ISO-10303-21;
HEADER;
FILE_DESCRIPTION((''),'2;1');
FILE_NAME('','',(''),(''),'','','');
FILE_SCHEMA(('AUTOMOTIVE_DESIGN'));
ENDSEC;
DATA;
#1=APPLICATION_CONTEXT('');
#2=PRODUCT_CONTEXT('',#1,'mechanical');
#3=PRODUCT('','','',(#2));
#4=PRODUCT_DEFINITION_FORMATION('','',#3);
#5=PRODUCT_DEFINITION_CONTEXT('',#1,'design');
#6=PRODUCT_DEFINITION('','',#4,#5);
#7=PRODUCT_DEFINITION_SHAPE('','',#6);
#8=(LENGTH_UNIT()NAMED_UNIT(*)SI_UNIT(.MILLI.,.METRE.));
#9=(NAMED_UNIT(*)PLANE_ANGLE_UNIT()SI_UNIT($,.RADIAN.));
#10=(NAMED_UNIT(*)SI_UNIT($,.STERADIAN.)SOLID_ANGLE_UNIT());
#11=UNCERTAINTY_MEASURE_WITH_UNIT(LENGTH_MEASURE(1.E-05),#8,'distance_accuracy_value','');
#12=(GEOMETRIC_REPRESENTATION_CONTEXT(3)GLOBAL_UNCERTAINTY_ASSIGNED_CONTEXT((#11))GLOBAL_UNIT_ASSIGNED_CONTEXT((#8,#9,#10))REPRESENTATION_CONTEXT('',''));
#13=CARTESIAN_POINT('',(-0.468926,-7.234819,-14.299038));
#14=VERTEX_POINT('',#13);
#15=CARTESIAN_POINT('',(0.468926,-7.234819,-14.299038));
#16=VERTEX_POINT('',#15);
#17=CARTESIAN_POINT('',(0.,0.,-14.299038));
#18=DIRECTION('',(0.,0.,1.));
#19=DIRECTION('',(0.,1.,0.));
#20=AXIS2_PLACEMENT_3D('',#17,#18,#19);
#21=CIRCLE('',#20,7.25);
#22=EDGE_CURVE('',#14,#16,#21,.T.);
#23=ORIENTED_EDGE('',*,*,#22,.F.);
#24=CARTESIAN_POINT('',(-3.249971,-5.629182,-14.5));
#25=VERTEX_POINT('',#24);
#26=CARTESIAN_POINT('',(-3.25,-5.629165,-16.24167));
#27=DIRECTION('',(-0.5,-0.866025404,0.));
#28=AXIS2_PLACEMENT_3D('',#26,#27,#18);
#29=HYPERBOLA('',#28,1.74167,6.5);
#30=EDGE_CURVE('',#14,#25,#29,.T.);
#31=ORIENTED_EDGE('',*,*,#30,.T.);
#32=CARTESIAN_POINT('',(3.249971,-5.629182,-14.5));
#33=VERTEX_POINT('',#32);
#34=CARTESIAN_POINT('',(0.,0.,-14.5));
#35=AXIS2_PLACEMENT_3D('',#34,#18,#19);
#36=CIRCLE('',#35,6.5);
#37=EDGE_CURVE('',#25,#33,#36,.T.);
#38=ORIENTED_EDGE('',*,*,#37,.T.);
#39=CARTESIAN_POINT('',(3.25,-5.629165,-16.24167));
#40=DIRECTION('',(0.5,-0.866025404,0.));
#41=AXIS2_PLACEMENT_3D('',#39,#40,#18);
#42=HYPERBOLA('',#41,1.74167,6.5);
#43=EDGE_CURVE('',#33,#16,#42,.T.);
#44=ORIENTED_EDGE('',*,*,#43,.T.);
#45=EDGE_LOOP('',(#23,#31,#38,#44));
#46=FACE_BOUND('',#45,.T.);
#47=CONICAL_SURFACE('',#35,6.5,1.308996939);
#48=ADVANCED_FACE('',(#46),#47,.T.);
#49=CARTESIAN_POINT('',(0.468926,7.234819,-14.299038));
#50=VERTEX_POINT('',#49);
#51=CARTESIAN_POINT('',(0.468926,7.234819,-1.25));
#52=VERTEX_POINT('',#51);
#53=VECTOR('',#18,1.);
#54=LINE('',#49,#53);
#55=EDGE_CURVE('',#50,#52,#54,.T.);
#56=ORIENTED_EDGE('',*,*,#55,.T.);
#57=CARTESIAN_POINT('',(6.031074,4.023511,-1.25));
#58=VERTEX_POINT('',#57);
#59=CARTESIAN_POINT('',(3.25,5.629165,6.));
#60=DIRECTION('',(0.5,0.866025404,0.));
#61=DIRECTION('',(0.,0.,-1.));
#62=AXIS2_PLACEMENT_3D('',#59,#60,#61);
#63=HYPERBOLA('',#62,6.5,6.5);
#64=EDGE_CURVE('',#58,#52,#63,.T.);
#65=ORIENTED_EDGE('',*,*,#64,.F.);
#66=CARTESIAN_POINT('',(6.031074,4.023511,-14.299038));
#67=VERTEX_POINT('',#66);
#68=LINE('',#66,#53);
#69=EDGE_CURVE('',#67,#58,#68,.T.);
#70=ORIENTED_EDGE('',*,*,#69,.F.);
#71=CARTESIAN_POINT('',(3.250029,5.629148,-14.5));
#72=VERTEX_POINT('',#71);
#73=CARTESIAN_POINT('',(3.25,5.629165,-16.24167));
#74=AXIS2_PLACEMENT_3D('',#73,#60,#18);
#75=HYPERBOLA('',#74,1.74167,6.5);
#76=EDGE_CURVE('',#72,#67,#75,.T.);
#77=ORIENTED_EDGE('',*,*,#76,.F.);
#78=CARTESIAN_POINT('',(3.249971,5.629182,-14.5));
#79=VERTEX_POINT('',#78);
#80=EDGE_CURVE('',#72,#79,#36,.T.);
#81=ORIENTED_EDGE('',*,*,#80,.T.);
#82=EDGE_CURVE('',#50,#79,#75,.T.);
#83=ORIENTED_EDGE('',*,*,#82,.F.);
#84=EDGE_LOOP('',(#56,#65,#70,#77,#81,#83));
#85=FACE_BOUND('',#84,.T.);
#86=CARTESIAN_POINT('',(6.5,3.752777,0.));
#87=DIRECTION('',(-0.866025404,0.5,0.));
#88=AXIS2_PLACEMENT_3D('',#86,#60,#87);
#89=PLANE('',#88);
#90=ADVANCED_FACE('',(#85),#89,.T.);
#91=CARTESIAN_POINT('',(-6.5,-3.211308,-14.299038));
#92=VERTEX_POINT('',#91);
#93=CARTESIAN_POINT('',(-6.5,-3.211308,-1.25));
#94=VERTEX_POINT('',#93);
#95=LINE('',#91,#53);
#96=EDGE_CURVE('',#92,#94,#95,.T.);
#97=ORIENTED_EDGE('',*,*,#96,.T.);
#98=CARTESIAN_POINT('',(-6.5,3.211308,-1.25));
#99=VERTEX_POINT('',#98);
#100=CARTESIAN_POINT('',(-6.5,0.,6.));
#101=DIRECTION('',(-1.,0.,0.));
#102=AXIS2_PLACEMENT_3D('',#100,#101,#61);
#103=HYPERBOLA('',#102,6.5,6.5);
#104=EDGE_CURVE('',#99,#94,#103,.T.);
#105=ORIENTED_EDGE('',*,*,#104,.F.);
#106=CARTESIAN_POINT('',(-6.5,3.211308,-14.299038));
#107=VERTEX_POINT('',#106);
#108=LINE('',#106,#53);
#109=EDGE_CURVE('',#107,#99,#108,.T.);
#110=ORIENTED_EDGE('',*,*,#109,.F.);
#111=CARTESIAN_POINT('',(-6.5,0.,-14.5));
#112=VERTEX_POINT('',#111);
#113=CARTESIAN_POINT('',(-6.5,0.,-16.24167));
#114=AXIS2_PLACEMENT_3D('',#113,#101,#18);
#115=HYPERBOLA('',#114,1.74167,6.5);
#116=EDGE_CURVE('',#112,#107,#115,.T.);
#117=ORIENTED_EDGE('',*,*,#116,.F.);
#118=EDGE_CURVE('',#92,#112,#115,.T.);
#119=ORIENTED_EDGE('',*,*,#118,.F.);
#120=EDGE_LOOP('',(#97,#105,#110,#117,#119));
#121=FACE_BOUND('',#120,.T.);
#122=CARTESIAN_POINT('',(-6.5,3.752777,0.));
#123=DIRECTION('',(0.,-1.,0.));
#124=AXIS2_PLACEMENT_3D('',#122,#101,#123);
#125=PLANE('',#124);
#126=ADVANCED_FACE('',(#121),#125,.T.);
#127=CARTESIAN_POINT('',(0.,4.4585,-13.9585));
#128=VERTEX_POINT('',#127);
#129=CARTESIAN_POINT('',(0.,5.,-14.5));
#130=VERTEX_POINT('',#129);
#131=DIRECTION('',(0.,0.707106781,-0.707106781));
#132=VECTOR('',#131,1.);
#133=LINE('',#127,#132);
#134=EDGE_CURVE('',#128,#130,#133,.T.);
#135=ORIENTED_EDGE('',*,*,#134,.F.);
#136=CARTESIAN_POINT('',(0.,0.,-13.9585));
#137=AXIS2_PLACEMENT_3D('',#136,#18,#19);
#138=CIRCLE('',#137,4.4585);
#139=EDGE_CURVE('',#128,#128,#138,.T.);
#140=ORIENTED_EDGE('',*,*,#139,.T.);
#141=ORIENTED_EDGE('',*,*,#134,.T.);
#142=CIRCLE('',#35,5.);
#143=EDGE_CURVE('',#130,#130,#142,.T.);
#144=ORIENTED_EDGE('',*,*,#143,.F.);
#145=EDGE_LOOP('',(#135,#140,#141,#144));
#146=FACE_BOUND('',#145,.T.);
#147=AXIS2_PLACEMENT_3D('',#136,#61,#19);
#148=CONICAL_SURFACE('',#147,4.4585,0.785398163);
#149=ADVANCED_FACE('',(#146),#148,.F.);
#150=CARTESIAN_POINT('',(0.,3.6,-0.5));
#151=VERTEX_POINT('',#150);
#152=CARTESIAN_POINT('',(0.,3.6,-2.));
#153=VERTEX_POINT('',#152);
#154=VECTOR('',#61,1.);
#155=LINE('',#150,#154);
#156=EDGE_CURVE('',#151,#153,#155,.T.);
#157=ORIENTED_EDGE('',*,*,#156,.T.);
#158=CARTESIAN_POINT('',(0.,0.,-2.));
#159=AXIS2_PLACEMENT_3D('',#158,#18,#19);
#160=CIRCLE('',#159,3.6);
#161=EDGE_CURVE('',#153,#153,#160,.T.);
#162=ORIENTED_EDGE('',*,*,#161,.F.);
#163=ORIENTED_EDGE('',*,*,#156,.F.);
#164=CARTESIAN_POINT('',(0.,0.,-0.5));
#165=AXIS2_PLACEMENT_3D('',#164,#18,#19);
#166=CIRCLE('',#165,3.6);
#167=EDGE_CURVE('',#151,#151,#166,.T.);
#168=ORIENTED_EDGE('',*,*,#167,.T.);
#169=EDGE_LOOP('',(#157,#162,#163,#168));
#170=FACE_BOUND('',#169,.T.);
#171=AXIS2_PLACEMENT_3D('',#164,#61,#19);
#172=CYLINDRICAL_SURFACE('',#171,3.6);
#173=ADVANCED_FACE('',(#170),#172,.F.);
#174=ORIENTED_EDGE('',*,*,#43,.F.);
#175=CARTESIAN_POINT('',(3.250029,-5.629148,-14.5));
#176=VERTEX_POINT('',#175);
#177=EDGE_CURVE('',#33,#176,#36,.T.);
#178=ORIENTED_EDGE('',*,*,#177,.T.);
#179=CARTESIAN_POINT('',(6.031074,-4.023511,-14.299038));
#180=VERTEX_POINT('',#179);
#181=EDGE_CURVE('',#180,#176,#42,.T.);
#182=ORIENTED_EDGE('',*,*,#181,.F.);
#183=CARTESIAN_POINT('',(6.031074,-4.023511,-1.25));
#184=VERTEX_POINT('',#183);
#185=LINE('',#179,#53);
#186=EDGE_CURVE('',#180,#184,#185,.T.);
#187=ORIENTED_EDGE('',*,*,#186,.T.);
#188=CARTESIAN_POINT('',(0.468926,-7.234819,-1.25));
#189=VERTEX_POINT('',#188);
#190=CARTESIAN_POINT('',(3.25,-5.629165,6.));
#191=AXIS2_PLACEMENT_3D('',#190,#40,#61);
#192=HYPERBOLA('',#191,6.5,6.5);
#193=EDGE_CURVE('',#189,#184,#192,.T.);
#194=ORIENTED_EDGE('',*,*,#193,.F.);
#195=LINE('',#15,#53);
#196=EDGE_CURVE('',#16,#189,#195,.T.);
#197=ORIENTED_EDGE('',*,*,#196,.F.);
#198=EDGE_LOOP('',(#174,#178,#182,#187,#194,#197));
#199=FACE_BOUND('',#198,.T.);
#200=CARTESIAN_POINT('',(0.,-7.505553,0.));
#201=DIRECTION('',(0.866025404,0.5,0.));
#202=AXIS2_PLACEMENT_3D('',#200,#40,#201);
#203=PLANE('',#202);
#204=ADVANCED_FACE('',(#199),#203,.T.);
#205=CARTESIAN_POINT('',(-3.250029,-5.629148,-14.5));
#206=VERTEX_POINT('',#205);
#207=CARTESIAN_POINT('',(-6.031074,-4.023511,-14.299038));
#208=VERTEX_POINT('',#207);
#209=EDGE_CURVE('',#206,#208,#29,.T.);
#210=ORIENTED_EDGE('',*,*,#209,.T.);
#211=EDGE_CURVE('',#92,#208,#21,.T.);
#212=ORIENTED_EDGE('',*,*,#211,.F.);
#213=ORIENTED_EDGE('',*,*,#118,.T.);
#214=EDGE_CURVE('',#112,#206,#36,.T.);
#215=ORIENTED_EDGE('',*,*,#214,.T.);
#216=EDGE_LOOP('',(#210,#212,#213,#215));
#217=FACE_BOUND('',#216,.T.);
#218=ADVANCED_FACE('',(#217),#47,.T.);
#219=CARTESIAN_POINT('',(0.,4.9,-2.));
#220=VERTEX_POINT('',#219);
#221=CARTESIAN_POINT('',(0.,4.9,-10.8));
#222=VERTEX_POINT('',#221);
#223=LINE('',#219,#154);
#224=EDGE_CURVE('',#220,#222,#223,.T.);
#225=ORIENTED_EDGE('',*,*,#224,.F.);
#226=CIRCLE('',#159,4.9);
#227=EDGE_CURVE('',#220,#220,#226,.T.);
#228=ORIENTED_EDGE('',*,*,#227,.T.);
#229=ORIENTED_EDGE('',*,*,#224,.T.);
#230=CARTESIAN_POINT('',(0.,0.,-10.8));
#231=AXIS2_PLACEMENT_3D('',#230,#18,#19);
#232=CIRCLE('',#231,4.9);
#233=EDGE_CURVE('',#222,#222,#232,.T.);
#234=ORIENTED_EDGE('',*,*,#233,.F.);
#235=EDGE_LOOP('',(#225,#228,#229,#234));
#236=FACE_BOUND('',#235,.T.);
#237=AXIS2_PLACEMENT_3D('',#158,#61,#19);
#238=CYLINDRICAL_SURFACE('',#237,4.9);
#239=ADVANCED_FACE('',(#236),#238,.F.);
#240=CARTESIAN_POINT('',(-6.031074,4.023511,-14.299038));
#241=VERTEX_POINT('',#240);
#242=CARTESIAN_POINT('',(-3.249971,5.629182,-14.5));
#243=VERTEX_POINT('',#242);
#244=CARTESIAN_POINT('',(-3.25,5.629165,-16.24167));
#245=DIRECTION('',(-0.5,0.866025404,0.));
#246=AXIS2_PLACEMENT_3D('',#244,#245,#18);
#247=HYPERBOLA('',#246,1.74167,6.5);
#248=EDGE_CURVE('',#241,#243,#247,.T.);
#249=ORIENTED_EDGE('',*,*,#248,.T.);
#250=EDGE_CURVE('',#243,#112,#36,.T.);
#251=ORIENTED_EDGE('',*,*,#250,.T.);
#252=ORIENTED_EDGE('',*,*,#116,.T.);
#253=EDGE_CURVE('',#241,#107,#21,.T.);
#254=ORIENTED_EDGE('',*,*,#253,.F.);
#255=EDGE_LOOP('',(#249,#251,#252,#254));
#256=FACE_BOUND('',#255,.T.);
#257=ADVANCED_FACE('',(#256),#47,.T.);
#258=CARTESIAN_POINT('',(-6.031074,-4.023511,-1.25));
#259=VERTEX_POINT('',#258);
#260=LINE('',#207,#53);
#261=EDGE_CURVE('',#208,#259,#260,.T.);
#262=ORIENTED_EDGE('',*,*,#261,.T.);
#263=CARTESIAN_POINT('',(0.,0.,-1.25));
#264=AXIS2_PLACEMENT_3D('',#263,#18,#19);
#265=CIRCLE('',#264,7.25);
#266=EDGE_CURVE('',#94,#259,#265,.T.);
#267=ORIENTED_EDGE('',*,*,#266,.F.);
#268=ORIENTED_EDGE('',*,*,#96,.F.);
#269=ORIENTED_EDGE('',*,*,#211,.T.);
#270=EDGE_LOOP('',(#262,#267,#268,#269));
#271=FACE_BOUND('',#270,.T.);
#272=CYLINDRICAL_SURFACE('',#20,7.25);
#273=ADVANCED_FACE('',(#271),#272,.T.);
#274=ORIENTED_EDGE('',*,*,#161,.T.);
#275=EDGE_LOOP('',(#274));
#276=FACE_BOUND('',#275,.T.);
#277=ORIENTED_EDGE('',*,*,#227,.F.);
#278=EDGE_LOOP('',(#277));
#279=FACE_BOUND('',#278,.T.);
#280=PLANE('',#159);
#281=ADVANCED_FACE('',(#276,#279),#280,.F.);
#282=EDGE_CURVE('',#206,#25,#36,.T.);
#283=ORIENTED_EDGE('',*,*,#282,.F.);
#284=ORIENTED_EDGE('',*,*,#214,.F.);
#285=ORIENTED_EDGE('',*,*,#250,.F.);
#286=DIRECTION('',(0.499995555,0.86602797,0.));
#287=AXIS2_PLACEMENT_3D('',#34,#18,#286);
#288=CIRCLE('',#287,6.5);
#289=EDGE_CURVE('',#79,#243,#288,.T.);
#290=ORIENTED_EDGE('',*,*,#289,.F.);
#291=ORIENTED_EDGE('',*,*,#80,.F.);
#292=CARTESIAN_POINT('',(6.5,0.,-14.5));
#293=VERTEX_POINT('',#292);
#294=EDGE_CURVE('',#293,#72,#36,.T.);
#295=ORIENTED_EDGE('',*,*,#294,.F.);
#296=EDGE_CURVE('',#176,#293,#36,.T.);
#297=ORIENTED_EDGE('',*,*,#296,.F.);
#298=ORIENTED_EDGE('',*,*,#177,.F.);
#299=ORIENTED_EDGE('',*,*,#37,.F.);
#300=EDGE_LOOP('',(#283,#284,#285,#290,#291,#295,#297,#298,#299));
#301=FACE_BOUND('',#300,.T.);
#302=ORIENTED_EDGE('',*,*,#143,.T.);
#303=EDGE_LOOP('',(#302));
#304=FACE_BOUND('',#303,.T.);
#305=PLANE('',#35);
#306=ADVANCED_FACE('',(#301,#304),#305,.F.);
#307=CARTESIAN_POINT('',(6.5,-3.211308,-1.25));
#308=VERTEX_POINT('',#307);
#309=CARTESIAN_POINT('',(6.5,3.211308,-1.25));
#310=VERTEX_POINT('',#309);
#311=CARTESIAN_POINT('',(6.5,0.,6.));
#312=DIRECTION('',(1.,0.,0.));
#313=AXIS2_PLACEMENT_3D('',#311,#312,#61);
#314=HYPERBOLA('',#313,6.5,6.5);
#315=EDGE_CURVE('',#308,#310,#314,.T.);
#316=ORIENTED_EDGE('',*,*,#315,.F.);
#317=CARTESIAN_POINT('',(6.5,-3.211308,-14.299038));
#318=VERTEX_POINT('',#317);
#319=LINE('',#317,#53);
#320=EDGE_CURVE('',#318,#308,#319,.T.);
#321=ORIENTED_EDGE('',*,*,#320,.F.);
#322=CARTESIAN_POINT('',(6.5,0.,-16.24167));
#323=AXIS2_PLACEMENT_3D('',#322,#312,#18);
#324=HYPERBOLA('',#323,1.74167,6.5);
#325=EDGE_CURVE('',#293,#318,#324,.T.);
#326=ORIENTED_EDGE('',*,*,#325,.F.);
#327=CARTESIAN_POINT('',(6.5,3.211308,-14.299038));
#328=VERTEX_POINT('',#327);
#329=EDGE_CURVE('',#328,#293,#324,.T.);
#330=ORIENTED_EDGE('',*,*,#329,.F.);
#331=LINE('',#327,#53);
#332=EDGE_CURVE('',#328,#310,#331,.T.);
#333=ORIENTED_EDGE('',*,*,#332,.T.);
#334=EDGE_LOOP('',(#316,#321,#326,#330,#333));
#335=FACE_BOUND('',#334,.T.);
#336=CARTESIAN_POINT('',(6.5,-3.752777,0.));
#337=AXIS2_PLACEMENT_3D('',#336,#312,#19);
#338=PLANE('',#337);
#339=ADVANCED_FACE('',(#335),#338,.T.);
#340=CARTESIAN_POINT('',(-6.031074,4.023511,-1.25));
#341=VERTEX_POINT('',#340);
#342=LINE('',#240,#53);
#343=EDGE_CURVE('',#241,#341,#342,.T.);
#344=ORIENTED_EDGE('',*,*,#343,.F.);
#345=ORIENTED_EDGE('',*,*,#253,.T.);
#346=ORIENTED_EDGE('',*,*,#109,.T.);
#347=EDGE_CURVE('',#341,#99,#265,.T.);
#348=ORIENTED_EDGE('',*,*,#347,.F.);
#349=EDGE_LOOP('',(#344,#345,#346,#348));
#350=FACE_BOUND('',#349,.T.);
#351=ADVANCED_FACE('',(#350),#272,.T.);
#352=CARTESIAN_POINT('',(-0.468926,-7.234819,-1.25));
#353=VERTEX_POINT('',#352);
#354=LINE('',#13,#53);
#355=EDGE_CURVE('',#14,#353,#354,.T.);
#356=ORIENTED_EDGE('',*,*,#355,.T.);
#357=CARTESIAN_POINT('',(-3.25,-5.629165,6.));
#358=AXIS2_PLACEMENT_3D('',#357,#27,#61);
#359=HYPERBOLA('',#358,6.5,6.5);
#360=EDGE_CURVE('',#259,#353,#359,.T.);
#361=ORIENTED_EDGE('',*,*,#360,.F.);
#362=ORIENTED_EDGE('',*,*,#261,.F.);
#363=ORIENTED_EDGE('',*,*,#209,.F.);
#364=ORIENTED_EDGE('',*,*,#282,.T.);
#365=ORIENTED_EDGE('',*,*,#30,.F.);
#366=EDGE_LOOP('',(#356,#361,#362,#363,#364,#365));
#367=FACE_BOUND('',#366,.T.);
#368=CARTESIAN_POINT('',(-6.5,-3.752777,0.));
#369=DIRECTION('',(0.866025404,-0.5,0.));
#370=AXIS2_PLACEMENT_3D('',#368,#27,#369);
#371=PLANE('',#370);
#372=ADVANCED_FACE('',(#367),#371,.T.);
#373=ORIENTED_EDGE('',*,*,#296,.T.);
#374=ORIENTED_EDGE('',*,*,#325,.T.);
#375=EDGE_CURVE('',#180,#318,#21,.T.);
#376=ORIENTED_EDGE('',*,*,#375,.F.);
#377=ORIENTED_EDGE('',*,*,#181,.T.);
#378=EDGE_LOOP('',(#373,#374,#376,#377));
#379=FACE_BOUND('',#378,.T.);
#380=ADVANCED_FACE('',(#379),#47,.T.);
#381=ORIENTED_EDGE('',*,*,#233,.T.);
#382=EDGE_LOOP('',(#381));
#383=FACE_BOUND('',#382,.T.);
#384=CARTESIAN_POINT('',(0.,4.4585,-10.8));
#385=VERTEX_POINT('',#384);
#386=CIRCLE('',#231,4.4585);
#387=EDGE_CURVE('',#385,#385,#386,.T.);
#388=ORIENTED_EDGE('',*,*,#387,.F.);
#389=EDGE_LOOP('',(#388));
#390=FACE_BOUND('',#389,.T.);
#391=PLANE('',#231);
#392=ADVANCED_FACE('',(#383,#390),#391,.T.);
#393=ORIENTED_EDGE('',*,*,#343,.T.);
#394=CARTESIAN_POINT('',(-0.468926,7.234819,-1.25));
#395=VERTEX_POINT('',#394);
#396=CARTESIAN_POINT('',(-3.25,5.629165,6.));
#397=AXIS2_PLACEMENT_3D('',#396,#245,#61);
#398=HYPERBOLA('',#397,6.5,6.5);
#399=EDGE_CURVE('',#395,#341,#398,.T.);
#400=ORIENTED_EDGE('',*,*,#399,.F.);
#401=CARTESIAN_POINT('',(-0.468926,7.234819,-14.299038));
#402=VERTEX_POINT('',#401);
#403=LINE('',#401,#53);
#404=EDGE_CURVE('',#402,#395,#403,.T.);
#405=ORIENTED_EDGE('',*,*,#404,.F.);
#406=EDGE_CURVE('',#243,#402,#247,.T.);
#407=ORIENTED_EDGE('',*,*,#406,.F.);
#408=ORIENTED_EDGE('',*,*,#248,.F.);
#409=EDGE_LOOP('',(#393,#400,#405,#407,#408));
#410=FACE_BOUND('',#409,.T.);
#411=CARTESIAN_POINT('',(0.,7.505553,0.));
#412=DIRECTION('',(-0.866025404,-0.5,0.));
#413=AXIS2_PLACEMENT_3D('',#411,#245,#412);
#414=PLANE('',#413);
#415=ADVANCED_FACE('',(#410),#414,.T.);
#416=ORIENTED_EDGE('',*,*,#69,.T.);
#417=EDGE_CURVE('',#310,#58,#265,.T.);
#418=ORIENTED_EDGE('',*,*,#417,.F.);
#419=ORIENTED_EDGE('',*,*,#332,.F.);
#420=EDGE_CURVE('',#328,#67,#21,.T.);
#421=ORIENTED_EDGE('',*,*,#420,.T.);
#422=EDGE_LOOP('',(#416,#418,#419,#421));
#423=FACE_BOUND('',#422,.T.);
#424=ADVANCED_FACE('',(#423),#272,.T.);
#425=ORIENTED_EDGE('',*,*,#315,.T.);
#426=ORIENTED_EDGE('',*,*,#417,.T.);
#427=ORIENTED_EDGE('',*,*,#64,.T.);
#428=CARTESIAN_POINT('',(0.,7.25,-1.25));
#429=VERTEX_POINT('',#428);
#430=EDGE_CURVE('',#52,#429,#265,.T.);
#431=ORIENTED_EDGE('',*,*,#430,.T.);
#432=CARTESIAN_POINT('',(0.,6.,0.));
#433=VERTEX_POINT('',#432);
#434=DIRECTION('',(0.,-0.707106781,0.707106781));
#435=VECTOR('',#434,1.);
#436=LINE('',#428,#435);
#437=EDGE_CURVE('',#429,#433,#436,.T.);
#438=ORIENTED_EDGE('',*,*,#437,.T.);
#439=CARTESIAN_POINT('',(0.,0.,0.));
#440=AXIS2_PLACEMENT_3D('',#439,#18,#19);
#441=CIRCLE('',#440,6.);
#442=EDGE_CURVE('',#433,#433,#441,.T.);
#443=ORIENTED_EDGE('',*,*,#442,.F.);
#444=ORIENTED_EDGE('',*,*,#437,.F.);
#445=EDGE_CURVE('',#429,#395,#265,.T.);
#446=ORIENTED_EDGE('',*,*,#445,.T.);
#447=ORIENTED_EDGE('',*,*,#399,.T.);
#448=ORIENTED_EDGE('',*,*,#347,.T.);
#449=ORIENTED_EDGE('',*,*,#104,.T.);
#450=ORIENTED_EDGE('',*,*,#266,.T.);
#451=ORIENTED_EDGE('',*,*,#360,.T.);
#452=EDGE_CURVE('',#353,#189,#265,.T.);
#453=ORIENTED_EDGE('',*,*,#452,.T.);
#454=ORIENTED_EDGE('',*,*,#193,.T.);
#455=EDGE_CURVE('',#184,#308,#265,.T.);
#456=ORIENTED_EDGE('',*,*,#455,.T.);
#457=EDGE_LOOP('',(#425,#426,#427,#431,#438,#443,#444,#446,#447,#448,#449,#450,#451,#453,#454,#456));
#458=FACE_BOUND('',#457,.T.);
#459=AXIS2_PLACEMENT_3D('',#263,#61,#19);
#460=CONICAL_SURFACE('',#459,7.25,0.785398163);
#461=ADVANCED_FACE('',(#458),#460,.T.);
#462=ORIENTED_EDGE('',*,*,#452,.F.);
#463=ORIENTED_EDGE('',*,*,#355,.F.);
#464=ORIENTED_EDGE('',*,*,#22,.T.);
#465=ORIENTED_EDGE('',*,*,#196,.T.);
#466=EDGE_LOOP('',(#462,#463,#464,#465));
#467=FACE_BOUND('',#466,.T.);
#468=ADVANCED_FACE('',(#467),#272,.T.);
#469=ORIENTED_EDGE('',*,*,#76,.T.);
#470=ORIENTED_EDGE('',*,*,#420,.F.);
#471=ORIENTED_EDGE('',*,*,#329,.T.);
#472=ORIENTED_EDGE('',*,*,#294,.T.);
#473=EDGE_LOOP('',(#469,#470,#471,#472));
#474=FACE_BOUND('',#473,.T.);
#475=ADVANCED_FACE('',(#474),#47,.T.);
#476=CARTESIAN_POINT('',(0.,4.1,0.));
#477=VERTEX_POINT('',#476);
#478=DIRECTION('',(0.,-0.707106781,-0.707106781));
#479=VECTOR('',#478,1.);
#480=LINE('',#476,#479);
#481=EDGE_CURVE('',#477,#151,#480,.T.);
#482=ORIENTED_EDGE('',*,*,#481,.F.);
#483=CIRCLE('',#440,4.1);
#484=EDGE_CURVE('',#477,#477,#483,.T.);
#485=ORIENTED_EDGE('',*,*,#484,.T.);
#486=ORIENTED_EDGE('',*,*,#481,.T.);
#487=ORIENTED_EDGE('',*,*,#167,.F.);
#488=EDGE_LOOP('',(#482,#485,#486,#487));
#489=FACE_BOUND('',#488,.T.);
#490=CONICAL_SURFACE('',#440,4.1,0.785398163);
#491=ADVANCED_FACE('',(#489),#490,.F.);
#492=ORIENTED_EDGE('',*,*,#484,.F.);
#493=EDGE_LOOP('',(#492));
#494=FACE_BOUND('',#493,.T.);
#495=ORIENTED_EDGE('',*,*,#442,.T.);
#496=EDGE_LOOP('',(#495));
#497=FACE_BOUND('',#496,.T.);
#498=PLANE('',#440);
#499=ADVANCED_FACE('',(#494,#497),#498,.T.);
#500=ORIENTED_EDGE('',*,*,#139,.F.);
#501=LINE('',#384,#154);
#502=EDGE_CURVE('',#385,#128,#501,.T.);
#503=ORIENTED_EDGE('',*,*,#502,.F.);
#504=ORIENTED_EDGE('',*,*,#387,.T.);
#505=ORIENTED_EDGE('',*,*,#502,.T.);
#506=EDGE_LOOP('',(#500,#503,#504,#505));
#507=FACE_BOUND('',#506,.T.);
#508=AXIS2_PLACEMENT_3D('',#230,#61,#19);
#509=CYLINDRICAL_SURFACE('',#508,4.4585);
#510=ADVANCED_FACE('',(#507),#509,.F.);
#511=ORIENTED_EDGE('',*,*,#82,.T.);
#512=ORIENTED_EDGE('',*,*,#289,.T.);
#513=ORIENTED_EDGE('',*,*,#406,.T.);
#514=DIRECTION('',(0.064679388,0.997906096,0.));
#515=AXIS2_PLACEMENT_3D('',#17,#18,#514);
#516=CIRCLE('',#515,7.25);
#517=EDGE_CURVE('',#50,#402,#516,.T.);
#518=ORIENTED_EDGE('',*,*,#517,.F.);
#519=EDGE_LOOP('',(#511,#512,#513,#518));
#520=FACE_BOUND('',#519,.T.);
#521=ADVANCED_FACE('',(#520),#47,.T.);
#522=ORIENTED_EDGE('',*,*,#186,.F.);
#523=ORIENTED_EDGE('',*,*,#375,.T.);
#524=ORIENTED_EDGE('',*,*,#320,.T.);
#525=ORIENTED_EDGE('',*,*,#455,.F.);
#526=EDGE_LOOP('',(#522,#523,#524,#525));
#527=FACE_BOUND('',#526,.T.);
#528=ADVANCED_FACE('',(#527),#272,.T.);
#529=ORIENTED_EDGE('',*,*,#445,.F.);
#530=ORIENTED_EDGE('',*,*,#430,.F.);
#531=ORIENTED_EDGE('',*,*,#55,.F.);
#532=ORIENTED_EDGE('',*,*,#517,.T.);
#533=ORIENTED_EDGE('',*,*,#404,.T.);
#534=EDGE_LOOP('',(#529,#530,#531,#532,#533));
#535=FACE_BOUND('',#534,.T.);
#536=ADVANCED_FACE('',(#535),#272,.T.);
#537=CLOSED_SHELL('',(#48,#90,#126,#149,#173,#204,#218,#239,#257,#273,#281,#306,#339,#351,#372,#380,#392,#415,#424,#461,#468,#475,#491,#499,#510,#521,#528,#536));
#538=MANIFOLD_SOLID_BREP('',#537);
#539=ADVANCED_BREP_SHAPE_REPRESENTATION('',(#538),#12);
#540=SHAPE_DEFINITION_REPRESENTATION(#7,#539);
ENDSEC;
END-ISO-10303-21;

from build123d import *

# Parameters (mm, degrees)
SCHNITT_LINEAR_AUSTRAGEN1_DEPTH      = 30
SCHNITT_LINEAR_AUSTRAGEN1_DEPTH_BACK = 30
SKIZZE2_W                            = 67.3333
SKIZZE2_H                            = 68


with BuildPart() as part:
    # Skizze1 → Rotation1 (revolve)
    with BuildSketch(Plane(origin=(0, 0, 0), x_dir=(0, 0, -1), z_dir=(1, 0, 0))):
        Polygon((0, 4.1), (0.5, 3.6), (2, 3.6), (2, 4.9), (10.8, 4.9), (10.8, 4.4585), (13.9585, 4.4585), (14.5, 5), (14.5, 6.5), (14.299038106, 7.25), (1.25, 7.25), (0, 6), align=None)
    revolve(axis=Axis((0, 0, -14.5), (0, 0, 1)))

    # Skizze2 → Schnitt-Linear austragen1 (cut, two sides: drawn at the far end of the back side and taken through both)
    with BuildSketch(Plane.XY.offset(-SCHNITT_LINEAR_AUSTRAGEN1_DEPTH_BACK)):
        with Locations((-1.08335, 0.1667)):
            Rectangle(SKIZZE2_W, SKIZZE2_H)
        Polygon((-6.5, -3.75277675), (0, -7.505553499), (6.5, -3.75277675), (6.5, 3.75277675), (0, 7.505553499), (-6.5, 3.75277675), align=None, mode=Mode.SUBTRACT)
    extrude(amount=SCHNITT_LINEAR_AUSTRAGEN1_DEPTH + SCHNITT_LINEAR_AUSTRAGEN1_DEPTH_BACK, mode=Mode.SUBTRACT)


solid = part.part
